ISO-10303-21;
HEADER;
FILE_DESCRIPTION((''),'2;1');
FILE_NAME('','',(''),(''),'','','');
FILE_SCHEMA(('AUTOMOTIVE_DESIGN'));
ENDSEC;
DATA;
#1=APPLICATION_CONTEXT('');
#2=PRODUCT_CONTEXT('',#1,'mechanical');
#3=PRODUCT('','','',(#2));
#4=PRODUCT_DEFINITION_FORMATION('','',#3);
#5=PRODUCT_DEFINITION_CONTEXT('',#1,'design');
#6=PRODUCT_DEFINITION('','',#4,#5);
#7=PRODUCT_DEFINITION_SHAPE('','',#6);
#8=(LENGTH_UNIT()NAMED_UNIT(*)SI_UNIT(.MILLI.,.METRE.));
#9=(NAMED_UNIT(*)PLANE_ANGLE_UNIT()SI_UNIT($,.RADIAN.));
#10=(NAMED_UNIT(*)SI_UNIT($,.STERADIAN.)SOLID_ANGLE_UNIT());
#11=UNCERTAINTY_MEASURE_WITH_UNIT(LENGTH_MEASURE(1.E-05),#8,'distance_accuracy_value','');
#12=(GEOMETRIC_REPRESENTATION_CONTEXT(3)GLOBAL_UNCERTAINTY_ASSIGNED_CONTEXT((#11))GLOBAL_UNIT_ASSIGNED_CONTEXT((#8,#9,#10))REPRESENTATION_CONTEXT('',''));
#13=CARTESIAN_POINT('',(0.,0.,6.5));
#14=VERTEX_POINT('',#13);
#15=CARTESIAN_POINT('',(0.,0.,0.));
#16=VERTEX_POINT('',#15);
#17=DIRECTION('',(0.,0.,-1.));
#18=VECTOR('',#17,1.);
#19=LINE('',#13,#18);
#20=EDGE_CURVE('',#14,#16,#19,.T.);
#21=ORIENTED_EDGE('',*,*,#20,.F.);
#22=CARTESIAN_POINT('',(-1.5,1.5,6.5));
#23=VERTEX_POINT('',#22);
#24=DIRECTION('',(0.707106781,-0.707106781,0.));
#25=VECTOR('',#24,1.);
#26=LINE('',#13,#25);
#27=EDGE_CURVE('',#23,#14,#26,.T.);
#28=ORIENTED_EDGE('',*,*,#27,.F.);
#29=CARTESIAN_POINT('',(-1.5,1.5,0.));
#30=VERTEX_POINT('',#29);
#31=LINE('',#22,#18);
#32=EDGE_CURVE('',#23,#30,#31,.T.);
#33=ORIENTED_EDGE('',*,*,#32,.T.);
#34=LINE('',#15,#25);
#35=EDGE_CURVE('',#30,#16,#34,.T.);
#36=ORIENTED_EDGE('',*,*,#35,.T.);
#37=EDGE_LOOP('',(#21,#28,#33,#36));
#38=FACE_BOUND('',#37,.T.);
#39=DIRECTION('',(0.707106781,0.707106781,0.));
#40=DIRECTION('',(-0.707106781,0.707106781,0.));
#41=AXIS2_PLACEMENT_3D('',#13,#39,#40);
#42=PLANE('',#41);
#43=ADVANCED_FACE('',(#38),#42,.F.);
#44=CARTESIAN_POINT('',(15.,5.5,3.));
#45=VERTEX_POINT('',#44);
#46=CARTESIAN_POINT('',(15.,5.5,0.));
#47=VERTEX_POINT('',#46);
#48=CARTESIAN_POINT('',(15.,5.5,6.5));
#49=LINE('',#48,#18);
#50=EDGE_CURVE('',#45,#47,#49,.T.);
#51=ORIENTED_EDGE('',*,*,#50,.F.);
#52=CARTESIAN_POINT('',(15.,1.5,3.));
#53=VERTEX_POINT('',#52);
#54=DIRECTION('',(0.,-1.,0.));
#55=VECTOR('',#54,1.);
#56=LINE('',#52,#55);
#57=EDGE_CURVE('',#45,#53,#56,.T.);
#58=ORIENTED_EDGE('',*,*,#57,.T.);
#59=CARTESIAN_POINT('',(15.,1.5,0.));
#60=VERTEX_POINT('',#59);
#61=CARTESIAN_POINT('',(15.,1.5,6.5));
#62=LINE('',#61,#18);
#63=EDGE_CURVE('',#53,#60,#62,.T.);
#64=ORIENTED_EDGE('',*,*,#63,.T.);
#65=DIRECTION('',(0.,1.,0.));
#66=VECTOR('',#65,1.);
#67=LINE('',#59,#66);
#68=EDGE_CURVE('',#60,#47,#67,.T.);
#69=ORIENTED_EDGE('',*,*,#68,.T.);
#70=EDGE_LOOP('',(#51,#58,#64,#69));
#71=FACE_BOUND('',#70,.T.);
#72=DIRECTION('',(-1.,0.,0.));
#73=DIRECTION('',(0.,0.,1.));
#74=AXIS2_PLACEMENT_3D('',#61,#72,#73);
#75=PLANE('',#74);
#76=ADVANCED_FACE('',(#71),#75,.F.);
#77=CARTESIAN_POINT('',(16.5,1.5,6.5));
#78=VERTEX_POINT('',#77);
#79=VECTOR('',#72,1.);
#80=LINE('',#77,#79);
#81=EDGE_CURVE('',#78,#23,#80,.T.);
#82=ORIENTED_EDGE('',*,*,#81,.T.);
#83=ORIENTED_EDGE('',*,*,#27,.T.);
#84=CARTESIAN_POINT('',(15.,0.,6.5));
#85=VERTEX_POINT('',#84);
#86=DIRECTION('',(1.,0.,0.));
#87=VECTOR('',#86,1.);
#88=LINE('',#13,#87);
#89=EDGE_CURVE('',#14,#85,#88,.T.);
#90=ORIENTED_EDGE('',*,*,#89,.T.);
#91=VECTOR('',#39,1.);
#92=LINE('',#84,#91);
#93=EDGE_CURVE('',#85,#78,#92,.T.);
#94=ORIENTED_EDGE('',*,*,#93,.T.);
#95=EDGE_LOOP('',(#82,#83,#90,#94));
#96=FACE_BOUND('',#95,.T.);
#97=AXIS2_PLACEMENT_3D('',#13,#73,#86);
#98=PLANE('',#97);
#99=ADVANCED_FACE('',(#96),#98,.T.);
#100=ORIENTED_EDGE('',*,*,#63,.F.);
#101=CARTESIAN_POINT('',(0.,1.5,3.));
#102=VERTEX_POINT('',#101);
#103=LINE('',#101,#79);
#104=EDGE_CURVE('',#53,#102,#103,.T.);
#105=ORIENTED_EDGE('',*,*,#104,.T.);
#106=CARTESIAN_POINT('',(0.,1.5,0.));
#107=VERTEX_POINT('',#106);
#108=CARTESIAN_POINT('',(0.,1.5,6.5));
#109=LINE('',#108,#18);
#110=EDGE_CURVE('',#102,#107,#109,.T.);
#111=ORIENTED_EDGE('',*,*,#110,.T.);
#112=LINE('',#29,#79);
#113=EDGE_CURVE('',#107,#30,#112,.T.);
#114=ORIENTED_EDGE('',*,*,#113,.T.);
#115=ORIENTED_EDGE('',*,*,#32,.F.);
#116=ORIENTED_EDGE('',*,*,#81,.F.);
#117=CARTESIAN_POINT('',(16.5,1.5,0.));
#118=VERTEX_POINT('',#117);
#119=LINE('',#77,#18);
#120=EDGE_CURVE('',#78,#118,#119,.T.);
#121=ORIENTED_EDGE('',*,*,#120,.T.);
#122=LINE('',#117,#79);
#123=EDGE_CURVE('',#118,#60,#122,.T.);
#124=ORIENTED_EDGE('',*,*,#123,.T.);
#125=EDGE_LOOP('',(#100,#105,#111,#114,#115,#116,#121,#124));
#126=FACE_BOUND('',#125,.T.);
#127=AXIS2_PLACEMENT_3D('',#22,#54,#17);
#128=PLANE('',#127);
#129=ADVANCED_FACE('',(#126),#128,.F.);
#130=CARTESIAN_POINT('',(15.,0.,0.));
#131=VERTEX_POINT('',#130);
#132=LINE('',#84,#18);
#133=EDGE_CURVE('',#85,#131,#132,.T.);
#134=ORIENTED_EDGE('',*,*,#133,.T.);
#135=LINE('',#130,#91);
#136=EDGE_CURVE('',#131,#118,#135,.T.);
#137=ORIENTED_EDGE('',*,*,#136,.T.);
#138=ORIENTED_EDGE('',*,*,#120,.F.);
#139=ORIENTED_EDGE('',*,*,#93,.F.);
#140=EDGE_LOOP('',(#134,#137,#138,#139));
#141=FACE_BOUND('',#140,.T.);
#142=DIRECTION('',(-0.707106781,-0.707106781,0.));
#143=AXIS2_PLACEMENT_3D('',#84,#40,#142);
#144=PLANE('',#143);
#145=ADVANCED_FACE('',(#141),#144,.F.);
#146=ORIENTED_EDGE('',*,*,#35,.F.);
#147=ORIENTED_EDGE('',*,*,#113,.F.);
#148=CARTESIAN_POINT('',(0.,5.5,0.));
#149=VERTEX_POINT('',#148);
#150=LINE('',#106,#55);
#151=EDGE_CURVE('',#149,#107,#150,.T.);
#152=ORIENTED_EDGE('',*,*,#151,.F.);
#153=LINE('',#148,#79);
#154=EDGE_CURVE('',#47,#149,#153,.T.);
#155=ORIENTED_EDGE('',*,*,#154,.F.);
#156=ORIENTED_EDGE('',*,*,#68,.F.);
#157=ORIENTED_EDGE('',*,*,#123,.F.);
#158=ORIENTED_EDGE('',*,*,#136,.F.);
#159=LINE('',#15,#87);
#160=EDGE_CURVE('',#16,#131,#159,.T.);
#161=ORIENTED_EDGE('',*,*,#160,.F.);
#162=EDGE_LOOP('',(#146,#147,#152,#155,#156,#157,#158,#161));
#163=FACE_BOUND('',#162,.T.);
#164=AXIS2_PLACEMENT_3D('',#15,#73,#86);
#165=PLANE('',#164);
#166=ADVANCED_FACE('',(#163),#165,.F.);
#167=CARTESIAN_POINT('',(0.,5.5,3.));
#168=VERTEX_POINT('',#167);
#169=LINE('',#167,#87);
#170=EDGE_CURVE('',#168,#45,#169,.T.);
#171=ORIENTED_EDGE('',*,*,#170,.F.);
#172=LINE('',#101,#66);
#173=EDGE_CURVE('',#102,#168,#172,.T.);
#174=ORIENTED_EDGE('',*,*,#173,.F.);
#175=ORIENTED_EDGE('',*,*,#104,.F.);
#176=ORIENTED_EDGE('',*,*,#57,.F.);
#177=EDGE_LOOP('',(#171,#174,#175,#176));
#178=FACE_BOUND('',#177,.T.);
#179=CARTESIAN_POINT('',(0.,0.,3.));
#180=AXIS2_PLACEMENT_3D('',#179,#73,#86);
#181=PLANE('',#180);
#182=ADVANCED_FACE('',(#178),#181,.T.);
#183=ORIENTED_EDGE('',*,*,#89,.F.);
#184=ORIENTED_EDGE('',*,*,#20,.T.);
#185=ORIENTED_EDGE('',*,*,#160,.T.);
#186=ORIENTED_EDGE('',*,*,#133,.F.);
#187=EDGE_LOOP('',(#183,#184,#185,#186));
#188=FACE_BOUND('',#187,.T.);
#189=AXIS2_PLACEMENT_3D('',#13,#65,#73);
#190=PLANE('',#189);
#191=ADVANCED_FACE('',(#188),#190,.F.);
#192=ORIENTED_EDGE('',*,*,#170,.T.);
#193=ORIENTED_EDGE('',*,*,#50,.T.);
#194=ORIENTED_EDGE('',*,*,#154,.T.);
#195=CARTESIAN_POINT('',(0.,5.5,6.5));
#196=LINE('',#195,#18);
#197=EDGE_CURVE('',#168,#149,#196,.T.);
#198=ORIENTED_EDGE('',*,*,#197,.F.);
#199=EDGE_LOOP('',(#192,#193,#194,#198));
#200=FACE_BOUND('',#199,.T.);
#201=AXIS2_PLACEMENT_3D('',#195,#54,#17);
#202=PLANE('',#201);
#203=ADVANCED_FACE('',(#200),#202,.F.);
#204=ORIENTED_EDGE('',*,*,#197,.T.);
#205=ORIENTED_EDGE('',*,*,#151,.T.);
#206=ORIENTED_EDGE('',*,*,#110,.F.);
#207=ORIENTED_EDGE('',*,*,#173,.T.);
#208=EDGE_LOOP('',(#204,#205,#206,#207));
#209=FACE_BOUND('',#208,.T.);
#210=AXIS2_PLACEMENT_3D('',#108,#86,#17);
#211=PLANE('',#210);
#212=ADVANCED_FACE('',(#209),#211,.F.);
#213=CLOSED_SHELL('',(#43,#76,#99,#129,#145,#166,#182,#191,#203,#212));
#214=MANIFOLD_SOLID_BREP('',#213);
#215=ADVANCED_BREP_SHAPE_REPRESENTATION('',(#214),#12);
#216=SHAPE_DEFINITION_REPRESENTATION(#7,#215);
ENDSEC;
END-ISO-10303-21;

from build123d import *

# Parameters (mm, degrees)
BOSS_EXTRUDE1_DEPTH = 6.5
SKETCH2_W           = 15
SKETCH2_H           = 4
CUT_EXTRUDE1_DEPTH  = 3.5


with BuildPart() as part:
    # Sketch1 → Boss-Extrude1 (new body)
    with BuildSketch(Plane.XY):
        Polygon((0, 0), (-1.5, 1.5), (0, 1.5), (0, 5.5), (15, 5.5), (15, 1.5), (16.5, 1.5), (15, 0), align=None)
    extrude(amount=BOSS_EXTRUDE1_DEPTH)

    # Sketch2 → Cut-Extrude1 (cut)
    with BuildSketch(Plane.XY.offset(6.5)):
        with Locations((7.5, 3.5)):
            Rectangle(SKETCH2_W, SKETCH2_H)
    extrude(amount=-CUT_EXTRUDE1_DEPTH, mode=Mode.SUBTRACT)


solid = part.part
